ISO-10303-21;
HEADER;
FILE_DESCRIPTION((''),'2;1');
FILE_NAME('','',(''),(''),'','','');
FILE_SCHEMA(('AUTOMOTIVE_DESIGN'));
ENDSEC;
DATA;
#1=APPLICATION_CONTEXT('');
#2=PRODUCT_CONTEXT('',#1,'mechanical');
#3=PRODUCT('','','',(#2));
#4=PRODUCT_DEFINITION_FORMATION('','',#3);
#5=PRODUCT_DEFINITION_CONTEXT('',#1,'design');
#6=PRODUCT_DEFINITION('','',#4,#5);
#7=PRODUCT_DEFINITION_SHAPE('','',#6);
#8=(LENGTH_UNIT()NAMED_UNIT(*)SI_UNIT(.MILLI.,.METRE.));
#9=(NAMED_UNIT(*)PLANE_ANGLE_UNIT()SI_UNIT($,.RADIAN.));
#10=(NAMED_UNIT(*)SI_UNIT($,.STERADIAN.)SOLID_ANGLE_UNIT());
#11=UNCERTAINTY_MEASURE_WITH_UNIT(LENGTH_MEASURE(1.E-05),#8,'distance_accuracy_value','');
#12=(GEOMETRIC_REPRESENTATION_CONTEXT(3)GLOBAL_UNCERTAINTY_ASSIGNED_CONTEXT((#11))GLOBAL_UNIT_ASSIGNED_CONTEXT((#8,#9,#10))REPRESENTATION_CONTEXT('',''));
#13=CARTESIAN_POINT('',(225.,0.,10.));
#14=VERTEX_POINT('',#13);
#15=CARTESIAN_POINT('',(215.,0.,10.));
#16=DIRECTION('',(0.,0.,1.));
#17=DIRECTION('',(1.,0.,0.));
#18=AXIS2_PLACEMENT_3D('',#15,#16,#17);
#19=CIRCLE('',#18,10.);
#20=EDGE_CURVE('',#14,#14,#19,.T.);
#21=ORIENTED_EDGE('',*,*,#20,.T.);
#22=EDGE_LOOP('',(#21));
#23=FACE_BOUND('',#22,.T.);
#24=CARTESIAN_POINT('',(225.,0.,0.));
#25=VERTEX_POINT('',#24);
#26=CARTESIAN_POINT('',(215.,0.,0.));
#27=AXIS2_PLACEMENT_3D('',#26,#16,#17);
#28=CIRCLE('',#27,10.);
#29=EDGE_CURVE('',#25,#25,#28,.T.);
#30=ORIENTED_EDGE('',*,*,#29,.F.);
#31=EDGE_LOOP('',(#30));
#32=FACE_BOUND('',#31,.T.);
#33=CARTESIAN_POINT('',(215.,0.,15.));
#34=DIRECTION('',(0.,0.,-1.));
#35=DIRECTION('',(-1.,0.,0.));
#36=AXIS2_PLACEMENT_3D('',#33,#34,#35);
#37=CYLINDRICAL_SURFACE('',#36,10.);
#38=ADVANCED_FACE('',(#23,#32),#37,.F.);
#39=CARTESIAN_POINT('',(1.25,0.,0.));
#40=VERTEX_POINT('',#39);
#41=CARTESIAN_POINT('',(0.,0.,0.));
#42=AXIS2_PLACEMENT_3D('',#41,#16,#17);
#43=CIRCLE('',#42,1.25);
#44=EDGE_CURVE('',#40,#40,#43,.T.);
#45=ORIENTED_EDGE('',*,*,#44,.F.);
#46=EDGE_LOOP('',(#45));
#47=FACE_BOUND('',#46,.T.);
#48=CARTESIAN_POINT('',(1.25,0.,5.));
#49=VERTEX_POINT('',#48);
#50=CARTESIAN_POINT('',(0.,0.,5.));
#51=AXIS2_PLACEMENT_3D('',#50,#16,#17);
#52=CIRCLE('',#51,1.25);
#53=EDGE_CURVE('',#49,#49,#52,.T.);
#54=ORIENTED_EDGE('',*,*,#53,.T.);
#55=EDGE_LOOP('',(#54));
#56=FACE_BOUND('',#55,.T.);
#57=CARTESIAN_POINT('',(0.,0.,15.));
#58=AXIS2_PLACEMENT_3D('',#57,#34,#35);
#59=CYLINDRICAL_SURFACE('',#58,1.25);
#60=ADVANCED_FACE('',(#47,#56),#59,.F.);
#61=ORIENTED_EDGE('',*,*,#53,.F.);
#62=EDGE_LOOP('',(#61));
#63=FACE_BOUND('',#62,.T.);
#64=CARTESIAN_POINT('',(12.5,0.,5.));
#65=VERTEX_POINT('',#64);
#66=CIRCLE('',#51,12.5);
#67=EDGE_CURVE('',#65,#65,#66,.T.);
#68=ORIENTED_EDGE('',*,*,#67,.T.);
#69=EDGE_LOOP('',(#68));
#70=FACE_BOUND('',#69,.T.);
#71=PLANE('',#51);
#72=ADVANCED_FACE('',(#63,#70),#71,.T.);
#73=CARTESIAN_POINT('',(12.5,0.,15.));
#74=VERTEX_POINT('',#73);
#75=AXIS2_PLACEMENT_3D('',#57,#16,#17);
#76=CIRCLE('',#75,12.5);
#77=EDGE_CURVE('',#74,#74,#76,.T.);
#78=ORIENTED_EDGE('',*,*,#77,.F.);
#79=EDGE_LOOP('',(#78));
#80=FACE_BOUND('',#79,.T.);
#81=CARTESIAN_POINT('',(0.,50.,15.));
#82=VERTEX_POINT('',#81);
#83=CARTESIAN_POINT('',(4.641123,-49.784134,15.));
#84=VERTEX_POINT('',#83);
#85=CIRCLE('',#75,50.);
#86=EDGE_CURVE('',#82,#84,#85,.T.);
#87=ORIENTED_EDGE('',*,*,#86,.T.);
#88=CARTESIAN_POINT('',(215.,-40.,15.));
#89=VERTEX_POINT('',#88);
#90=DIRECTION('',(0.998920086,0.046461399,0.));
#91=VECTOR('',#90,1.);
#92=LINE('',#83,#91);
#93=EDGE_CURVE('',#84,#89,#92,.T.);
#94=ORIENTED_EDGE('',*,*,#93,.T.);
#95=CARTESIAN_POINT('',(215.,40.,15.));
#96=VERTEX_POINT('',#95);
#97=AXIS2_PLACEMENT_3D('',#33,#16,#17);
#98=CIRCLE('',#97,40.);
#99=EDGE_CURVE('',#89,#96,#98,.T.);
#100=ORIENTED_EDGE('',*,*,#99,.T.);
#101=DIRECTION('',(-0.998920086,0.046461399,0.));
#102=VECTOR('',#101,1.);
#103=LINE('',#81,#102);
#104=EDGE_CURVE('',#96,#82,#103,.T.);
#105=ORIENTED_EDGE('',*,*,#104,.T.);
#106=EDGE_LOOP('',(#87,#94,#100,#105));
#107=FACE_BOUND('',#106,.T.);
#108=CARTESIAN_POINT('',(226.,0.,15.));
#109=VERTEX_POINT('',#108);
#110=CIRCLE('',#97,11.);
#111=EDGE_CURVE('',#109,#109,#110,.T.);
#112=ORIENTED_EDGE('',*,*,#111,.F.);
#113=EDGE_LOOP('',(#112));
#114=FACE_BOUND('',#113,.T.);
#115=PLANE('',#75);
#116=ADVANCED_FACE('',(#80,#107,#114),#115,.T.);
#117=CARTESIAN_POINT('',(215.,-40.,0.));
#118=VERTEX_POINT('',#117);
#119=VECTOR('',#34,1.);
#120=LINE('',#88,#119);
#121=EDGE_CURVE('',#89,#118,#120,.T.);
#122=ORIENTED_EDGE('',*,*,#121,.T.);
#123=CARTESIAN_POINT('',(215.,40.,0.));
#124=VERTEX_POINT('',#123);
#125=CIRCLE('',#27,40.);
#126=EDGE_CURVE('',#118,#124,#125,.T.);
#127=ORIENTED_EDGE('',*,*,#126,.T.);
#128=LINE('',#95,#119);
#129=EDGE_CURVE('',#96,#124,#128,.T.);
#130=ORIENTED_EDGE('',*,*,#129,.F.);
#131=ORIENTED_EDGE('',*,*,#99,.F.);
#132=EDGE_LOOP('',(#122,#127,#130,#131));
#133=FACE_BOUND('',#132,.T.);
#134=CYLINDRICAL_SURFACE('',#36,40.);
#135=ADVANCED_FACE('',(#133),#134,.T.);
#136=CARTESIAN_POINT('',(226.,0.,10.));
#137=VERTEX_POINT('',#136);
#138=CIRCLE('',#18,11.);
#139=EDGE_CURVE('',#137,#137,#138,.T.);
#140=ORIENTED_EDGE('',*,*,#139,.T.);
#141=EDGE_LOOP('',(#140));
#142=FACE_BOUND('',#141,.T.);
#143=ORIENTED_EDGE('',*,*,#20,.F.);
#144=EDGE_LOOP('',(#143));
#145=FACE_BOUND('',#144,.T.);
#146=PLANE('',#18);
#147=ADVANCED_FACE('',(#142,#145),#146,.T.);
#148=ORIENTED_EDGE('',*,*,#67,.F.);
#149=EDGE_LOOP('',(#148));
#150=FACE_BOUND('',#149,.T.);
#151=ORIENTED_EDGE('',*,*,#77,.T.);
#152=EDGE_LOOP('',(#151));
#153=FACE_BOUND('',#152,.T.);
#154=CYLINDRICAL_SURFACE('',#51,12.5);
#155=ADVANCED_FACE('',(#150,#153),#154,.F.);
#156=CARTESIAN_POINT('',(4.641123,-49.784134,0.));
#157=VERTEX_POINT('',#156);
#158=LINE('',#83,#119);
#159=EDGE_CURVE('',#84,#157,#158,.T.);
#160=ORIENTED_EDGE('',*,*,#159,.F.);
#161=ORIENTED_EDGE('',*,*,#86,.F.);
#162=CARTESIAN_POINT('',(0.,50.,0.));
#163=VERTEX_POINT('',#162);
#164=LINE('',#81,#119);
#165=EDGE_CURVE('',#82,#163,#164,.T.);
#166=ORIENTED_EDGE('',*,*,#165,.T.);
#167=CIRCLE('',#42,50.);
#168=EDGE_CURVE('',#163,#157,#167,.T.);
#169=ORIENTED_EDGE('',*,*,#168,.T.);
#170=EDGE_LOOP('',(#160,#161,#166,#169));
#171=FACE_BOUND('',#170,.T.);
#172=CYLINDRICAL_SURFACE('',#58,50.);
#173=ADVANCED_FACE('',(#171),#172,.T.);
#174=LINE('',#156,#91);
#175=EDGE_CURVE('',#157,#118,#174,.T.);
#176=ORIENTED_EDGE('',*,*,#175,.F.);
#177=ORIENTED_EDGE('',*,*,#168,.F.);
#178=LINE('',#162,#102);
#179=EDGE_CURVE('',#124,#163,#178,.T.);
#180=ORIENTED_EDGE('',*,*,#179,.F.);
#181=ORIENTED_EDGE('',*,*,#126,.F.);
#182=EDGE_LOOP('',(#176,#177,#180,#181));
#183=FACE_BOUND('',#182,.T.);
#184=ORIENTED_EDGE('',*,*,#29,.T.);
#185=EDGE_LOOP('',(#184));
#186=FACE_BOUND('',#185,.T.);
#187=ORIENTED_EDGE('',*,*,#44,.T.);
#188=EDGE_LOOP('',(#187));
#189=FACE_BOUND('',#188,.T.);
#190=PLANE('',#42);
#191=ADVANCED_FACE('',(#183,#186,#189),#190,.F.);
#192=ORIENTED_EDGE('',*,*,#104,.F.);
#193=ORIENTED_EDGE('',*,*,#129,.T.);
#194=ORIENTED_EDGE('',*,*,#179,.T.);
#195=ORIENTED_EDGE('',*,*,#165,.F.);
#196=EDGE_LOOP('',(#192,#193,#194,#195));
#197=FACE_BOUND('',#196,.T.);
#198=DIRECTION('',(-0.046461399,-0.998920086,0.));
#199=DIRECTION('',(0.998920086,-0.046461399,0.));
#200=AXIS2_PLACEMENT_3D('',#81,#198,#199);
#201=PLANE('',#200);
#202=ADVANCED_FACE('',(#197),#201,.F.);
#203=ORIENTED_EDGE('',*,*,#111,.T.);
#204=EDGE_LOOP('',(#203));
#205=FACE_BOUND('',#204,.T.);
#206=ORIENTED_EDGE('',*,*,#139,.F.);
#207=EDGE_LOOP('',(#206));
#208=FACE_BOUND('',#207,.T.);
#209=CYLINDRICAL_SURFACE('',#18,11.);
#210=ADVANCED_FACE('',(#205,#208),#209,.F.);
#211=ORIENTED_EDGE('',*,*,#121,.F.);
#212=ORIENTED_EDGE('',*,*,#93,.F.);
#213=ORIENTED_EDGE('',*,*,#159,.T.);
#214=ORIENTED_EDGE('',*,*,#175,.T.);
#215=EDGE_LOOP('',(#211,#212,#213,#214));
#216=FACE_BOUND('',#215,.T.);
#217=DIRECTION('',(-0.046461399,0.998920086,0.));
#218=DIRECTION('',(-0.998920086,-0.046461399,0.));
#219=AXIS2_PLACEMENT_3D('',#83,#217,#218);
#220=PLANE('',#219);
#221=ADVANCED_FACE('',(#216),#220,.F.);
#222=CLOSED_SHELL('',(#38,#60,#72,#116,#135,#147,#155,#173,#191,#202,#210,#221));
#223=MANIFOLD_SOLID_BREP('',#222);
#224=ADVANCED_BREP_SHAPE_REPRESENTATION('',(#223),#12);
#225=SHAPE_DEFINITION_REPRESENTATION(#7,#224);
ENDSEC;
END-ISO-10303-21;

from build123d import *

# Parameters (mm, degrees)
CROQUIS1_R              = 1.25
CROQUIS1_R_2            = 10
SALIENTE_EXTRUIR1_DEPTH = 15
CROQUIS2_R              = 12.5
CORTAR_EXTRUIR1_DEPTH   = 10
CROQUIS3_R              = 11
CORTAR_EXTRUIR2_DEPTH   = 5


with BuildPart() as part:
    # Croquis1 → Saliente-Extruir1 (new body)
    with BuildSketch(Plane.XY):
        with BuildLine():
            Line((0, 50), (215, 40))
            ThreePointArc((215, 40), (255, 0), (215, -40))
            Line((215, -40), (4.641122504, -49.784133837))
            ThreePointArc((4.641122504, -49.784133837), (-49.946004304, -2.323069968), (0, 50))
        make_face()
        Circle(CROQUIS1_R, mode=Mode.SUBTRACT)
        with Locations((215, 0)):
            Circle(CROQUIS1_R_2, mode=Mode.SUBTRACT)
    extrude(amount=SALIENTE_EXTRUIR1_DEPTH)

    # Croquis2 → Cortar-Extruir1 (cut)
    with BuildSketch(Plane.XY.offset(15)):
        Circle(CROQUIS2_R)
    extrude(amount=-CORTAR_EXTRUIR1_DEPTH, mode=Mode.SUBTRACT)

    # Croquis3 → Cortar-Extruir2 (cut)
    with BuildSketch(Plane.XY.offset(15)):
        with Locations((215, 0)):
            Circle(CROQUIS3_R)
    extrude(amount=-CORTAR_EXTRUIR2_DEPTH, mode=Mode.SUBTRACT)


solid = part.part
